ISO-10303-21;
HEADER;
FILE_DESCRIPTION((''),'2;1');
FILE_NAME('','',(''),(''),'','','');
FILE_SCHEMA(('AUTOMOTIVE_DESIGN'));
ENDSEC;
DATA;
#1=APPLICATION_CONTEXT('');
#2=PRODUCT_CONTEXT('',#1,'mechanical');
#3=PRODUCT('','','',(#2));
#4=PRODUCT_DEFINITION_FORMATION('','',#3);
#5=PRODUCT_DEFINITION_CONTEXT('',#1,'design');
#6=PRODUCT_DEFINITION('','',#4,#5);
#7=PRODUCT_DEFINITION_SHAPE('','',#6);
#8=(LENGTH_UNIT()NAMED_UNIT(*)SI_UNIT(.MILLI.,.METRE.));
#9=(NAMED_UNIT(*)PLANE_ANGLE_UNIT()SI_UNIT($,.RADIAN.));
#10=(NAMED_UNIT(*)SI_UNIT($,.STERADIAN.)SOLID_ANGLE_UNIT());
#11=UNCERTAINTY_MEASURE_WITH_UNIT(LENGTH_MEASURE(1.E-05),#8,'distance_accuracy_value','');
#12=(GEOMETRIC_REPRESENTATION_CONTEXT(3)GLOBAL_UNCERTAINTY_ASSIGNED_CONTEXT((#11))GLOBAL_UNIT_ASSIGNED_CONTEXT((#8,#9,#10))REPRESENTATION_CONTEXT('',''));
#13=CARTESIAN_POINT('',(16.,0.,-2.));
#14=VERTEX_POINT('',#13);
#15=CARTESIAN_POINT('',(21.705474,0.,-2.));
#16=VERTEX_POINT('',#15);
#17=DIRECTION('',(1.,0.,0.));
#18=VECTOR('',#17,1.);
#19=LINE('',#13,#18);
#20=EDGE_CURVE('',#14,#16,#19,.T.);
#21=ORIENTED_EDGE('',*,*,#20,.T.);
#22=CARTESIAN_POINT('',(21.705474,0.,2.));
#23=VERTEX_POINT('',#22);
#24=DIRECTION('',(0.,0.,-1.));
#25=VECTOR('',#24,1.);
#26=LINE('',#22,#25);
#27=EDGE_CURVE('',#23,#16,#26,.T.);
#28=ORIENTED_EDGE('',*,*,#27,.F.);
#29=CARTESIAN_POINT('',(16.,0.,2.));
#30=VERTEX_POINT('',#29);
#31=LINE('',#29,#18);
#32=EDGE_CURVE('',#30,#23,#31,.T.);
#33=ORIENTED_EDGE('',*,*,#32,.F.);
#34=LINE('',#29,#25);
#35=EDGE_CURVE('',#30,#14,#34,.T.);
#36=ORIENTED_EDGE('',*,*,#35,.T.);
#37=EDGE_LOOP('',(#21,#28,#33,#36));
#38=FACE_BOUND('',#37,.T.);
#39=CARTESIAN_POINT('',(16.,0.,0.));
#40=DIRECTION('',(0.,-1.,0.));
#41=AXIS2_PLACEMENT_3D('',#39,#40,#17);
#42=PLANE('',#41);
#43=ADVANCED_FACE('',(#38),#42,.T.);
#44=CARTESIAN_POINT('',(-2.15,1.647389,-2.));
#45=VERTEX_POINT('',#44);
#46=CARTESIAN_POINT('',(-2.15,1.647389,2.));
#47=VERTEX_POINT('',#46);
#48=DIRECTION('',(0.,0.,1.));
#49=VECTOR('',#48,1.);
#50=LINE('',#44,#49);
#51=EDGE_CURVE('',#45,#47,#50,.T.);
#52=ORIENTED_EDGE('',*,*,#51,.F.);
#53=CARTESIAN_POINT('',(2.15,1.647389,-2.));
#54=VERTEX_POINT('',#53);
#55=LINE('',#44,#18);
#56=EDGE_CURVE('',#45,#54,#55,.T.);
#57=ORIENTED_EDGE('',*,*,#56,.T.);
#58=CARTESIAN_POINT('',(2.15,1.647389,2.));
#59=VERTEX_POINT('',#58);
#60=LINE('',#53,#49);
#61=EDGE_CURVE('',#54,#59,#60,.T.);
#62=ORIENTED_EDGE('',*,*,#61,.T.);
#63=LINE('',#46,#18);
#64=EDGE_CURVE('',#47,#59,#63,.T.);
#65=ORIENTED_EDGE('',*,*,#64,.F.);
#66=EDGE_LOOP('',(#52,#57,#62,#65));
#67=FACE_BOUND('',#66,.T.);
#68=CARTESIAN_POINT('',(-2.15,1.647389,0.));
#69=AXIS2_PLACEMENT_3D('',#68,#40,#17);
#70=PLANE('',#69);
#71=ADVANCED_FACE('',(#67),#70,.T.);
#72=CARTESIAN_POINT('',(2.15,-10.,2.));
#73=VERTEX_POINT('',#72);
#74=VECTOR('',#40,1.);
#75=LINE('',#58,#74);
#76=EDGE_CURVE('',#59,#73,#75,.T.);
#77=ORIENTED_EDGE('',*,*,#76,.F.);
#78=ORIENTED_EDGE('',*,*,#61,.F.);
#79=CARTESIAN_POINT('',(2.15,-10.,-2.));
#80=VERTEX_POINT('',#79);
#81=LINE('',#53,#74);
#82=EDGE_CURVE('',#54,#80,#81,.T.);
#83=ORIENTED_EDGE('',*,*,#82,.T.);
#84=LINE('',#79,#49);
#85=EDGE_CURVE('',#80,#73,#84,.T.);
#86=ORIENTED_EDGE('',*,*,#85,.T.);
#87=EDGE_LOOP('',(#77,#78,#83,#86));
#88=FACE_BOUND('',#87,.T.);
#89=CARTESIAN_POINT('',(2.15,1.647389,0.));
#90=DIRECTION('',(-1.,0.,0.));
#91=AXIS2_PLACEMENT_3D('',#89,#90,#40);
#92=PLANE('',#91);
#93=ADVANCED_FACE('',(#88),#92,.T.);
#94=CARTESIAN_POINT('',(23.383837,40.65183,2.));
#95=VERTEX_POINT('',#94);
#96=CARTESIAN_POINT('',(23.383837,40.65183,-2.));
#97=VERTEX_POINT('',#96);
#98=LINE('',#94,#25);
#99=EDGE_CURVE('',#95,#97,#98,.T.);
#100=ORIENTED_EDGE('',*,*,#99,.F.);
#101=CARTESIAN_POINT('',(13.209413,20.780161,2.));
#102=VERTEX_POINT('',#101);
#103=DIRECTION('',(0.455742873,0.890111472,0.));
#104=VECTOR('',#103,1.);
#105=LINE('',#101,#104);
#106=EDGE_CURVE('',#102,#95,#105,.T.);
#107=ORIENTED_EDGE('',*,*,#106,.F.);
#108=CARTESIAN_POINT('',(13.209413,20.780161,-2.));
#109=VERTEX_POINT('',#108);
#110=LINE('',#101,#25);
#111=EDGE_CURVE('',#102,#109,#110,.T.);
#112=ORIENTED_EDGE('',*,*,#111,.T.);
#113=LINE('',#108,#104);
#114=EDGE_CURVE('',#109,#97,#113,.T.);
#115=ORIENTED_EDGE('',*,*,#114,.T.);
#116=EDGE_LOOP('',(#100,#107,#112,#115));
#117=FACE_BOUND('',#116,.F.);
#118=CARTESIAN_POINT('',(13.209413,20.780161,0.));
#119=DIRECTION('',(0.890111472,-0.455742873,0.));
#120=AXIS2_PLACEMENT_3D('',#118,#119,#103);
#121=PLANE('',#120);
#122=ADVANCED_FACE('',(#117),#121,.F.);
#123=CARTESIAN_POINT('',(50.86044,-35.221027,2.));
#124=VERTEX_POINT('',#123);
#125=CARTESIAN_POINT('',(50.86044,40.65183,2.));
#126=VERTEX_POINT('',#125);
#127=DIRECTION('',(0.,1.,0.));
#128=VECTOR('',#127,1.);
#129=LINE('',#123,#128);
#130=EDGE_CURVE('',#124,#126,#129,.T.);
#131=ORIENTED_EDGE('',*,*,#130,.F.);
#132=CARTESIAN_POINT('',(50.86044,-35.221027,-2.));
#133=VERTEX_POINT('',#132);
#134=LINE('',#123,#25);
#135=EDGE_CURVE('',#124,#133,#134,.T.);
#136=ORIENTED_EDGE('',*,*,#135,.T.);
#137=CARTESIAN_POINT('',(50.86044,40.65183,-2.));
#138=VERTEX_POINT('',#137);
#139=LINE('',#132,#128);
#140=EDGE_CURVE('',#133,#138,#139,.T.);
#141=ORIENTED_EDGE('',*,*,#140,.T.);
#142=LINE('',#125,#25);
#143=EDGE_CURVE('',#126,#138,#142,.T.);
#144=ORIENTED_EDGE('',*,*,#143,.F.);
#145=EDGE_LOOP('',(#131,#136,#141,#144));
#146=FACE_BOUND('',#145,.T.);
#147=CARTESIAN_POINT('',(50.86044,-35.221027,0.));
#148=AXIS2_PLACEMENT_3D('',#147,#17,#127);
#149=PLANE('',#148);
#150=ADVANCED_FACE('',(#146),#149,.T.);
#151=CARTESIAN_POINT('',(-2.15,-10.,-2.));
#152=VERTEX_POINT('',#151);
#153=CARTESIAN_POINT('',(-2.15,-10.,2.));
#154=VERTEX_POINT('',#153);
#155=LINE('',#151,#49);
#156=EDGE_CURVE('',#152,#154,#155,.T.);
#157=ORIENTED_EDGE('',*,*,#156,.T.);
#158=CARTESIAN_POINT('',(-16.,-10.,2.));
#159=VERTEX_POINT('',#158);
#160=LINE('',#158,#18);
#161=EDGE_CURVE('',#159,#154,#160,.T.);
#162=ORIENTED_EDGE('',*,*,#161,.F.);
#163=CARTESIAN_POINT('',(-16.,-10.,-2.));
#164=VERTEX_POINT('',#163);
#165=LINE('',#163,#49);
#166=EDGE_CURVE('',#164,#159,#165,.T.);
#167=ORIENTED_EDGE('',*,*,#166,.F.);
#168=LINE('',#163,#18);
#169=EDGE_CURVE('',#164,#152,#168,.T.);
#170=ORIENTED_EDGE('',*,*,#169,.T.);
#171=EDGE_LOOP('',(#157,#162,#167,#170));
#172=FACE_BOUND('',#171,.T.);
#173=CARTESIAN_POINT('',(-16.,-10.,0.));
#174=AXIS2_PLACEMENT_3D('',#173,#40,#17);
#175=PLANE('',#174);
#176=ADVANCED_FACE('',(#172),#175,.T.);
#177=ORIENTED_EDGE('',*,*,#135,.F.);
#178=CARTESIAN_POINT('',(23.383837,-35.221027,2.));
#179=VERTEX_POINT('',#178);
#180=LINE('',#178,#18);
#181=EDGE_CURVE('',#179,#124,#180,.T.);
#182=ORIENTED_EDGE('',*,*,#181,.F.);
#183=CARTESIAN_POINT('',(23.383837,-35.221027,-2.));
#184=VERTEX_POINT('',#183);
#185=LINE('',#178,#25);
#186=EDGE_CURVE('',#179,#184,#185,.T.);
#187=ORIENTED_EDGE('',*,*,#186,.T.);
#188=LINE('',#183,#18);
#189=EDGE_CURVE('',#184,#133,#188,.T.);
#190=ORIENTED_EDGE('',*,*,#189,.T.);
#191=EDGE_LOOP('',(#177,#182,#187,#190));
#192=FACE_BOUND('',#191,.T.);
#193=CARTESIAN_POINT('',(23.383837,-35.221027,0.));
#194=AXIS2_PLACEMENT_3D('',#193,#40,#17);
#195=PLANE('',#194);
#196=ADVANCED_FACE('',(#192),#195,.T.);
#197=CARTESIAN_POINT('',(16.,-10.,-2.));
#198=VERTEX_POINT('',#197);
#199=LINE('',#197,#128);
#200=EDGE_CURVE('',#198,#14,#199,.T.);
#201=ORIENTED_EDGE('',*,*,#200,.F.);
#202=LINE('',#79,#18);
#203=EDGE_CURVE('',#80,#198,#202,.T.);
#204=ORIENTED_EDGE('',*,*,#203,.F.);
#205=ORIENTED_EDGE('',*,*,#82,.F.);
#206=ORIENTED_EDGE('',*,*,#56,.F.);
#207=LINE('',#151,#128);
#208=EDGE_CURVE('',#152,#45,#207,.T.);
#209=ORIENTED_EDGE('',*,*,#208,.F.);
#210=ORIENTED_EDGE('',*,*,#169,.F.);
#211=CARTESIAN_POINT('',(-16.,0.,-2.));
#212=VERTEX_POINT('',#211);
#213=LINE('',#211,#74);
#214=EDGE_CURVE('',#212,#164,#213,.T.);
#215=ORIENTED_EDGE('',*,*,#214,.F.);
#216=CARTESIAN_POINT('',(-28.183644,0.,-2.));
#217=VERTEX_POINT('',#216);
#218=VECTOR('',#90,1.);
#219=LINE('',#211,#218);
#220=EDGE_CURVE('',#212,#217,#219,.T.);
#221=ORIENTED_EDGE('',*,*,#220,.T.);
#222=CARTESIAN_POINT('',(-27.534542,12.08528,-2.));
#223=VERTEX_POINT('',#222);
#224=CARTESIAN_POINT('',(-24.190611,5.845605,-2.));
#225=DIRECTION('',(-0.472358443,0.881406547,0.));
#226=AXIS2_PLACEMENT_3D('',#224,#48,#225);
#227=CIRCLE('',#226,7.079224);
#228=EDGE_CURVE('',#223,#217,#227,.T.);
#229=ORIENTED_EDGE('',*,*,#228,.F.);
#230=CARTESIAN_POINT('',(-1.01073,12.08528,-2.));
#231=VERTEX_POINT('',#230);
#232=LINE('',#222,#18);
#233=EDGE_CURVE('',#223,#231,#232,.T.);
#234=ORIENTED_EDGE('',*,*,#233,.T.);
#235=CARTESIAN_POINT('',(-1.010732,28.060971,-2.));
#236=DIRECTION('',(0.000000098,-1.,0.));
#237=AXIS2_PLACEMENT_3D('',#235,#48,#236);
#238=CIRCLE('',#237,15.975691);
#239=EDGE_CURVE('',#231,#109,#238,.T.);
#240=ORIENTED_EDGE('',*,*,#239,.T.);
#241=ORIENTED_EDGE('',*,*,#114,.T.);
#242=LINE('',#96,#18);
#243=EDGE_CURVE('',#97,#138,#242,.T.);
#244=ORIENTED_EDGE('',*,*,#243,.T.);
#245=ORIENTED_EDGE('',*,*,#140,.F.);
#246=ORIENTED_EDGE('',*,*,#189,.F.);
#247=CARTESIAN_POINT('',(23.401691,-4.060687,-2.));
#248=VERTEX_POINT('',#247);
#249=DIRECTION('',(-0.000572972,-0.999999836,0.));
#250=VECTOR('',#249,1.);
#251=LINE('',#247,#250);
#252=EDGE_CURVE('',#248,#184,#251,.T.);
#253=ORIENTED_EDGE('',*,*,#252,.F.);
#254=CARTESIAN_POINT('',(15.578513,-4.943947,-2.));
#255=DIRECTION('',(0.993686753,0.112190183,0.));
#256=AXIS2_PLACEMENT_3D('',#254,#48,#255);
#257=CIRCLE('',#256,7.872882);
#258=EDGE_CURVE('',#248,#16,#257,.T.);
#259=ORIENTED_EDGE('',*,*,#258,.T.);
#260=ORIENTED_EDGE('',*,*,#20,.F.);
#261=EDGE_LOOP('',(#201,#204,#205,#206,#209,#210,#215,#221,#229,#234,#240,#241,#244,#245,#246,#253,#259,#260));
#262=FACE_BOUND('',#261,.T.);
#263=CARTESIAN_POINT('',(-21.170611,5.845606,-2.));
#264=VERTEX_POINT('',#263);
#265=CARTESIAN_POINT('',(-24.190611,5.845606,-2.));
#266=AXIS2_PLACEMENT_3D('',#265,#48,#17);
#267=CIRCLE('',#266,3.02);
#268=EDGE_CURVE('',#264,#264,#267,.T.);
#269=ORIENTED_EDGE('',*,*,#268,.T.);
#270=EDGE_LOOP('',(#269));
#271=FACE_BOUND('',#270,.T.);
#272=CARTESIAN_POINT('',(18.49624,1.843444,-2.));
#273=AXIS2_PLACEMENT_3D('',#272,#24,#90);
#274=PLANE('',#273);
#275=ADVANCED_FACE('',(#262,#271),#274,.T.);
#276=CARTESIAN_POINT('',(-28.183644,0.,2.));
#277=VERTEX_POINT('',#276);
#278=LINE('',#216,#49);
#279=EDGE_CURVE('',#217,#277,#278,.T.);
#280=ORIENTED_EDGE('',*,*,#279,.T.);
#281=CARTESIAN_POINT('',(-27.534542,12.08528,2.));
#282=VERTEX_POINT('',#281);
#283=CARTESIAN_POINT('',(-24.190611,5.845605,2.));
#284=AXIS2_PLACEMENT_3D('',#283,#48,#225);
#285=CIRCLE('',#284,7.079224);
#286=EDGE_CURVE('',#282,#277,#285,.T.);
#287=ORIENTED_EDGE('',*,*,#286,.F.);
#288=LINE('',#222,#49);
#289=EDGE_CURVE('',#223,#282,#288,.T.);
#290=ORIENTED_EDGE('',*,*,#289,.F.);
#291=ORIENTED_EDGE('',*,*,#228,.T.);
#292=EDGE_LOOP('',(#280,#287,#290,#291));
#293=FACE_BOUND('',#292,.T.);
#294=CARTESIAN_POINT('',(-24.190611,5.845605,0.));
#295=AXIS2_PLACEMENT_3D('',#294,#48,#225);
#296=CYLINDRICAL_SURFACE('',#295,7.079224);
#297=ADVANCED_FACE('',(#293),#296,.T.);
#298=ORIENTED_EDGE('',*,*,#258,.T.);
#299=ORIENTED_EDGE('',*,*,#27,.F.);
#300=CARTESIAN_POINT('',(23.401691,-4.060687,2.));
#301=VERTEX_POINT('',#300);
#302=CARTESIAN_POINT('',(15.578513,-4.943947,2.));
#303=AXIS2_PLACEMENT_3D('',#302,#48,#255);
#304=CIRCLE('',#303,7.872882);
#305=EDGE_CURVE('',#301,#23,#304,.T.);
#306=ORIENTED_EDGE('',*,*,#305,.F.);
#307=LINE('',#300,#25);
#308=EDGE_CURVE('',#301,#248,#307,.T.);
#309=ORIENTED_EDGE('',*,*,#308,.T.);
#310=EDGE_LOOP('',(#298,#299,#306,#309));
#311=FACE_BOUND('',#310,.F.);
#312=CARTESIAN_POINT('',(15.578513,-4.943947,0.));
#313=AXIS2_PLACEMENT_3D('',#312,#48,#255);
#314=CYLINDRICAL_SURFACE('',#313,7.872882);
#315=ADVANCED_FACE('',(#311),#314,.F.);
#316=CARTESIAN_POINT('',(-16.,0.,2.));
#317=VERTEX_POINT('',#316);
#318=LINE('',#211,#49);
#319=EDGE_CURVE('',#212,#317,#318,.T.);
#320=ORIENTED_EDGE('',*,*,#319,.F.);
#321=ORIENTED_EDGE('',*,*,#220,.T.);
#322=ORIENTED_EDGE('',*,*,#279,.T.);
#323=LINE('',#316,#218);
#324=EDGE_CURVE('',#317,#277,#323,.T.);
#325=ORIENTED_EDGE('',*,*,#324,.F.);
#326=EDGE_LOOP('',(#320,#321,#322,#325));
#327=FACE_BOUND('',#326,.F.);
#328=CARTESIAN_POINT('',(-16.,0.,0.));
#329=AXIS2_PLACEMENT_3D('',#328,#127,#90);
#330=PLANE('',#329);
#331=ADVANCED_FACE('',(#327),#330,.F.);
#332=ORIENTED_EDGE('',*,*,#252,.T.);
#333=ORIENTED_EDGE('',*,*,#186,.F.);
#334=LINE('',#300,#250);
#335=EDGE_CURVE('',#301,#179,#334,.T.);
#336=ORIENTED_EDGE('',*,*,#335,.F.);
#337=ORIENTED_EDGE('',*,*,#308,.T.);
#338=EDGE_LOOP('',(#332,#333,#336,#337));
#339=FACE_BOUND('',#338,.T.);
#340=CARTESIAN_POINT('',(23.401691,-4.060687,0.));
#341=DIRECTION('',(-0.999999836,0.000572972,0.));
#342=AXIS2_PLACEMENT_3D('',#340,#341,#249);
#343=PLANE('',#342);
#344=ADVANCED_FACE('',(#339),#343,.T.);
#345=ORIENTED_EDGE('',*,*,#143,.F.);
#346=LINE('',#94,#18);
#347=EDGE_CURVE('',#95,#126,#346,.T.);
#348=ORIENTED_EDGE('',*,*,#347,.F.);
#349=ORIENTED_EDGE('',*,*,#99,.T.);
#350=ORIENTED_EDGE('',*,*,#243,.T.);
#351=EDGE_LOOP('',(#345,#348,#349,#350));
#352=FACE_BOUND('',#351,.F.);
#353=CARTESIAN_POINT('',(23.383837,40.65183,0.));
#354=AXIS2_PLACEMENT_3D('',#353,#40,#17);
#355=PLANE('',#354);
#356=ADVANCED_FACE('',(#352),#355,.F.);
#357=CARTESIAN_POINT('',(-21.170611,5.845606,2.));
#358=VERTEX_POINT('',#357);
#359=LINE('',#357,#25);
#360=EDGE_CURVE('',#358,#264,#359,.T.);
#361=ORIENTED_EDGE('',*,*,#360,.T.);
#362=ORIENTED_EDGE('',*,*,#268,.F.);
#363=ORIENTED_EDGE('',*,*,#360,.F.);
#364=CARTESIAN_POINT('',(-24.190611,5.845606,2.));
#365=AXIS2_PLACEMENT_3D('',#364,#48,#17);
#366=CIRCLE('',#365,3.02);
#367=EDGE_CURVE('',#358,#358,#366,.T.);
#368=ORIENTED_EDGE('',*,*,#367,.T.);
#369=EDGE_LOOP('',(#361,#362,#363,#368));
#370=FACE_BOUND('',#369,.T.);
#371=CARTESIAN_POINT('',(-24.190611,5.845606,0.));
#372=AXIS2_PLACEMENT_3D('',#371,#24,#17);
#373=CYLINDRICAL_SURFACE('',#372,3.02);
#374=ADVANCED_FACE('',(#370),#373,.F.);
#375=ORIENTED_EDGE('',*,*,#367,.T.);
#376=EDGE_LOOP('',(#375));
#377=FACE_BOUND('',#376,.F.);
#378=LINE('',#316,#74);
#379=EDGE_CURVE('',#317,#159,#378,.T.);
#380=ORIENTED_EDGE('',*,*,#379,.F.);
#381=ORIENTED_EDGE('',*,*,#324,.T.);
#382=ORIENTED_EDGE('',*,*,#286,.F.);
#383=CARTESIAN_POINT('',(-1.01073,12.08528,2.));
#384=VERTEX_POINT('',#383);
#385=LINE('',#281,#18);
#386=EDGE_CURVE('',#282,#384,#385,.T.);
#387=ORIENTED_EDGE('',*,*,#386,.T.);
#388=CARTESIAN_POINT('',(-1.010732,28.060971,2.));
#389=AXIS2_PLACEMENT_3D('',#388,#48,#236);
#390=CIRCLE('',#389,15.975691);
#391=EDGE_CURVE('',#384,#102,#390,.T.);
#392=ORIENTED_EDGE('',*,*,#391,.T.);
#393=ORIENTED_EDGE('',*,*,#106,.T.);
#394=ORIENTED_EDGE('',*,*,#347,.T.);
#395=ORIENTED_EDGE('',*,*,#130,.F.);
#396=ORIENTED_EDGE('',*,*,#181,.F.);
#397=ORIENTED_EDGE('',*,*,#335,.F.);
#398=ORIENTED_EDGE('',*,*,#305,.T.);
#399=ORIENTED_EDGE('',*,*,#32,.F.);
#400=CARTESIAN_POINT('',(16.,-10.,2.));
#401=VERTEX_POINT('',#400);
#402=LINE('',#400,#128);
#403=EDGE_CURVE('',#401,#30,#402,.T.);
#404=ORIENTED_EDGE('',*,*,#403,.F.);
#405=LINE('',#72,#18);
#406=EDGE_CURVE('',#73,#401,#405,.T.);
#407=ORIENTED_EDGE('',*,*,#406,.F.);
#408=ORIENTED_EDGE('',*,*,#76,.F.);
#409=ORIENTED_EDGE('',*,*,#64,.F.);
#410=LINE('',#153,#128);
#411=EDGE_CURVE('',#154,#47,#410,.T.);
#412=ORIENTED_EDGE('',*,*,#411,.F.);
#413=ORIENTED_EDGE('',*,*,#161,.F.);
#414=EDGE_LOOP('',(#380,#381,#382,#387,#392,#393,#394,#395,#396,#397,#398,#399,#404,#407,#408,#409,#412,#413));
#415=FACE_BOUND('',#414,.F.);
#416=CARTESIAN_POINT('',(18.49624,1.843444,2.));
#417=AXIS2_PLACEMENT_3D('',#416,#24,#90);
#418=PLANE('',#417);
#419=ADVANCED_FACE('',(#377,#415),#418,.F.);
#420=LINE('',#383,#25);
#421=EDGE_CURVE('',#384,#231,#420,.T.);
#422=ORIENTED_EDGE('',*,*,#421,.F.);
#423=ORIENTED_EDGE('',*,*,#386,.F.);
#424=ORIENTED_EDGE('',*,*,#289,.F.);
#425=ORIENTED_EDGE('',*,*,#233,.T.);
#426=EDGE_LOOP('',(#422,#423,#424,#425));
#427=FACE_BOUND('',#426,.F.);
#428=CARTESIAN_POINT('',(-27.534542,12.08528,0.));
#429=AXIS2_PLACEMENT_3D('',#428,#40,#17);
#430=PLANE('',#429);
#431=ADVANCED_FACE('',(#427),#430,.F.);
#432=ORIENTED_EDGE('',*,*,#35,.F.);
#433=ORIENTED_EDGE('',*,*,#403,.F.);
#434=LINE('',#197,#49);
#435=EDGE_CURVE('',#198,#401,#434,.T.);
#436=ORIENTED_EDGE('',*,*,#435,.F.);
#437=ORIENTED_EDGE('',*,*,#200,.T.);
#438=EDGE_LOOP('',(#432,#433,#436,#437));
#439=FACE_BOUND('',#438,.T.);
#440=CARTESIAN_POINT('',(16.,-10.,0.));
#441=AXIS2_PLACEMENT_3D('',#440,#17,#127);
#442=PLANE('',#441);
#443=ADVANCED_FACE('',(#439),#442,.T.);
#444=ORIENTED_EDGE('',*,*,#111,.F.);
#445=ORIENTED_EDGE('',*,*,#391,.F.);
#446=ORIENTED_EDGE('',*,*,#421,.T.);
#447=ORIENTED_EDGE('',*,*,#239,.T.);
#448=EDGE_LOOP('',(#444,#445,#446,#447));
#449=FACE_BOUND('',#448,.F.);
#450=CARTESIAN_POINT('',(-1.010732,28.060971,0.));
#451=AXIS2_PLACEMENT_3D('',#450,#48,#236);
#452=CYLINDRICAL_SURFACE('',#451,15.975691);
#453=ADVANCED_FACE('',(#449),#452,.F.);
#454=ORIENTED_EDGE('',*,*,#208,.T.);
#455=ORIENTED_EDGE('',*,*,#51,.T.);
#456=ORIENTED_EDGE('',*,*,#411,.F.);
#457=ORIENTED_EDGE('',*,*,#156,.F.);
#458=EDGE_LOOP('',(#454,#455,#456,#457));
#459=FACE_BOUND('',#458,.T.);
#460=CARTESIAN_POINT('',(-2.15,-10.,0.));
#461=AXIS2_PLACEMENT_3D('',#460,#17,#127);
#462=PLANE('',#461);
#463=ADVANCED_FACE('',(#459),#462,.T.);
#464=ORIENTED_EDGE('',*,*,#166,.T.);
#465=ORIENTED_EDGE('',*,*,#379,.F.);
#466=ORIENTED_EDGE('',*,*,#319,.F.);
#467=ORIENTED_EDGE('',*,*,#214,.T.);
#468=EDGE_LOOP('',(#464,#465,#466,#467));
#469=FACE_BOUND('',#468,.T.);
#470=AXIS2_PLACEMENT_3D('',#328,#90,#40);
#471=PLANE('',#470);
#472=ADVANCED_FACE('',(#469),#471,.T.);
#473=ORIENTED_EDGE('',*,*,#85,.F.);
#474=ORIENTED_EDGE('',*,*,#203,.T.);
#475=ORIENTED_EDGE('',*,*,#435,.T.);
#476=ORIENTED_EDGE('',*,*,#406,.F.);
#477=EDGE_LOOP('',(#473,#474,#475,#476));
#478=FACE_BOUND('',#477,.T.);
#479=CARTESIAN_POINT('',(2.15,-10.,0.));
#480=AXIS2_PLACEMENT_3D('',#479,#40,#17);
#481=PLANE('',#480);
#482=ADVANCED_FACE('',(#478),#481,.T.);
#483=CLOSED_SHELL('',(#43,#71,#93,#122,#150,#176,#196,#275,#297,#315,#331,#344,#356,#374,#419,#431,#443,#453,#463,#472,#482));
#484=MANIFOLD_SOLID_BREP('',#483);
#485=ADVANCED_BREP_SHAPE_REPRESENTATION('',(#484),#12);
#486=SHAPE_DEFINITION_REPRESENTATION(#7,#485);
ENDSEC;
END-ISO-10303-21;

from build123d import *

# Parameters (mm, degrees)
COPYSKETCH004_R = 3.02
PAD_DEPTH       = 2


with BuildPart() as part:
    # CopySketch004 → Pad (new body, symmetric)
    with BuildSketch(Plane.XY):
        with BuildLine():
            Line((-27.534542, 12.08528), (-1.01073, 12.08528))
            ThreePointArc((-1.01073, 12.08528), (7.323138, 14.431249), (13.209413, 20.780161))
            Line((13.209413, 20.780161), (23.383837, 40.65183))
            Line((23.383837, 40.65183), (50.86044, 40.65183))
            Line((50.86044, 40.65183), (50.86044, 0))
            Line((50.86044, -35.221027), (50.86044, 0))
            Line((23.383837, -35.221027), (50.86044, -35.221027))
            Line((23.401691, -4.060687), (23.383837, -35.221027))
            ThreePointArc((23.401691, -4.060687), (22.843077, -1.909417), (21.705474, 0))
            Line((16, 0), (21.705474, 0))
            Line((16, -10), (16, 0))
            Line((2.15, -10), (16, -10))
            Line((2.15, 1.647389), (2.15, -10))
            Line((-2.15, 1.647389), (2.15, 1.647389))
            Line((-2.15, -10), (-2.15, 1.647389))
            Line((-16, -10), (-2.15, -10))
            Line((-16, 0), (-16, -10))
            Line((-16, 0), (-28.183644, 0))
            ThreePointArc((-27.534542, 12.08528), (-31.259646, 6.225284), (-28.183644, 0))
        make_face()
        with Locations((-24.190611, 5.845606)):
            Circle(COPYSKETCH004_R, mode=Mode.SUBTRACT)
    extrude(amount=PAD_DEPTH, both=True)


solid = part.part
